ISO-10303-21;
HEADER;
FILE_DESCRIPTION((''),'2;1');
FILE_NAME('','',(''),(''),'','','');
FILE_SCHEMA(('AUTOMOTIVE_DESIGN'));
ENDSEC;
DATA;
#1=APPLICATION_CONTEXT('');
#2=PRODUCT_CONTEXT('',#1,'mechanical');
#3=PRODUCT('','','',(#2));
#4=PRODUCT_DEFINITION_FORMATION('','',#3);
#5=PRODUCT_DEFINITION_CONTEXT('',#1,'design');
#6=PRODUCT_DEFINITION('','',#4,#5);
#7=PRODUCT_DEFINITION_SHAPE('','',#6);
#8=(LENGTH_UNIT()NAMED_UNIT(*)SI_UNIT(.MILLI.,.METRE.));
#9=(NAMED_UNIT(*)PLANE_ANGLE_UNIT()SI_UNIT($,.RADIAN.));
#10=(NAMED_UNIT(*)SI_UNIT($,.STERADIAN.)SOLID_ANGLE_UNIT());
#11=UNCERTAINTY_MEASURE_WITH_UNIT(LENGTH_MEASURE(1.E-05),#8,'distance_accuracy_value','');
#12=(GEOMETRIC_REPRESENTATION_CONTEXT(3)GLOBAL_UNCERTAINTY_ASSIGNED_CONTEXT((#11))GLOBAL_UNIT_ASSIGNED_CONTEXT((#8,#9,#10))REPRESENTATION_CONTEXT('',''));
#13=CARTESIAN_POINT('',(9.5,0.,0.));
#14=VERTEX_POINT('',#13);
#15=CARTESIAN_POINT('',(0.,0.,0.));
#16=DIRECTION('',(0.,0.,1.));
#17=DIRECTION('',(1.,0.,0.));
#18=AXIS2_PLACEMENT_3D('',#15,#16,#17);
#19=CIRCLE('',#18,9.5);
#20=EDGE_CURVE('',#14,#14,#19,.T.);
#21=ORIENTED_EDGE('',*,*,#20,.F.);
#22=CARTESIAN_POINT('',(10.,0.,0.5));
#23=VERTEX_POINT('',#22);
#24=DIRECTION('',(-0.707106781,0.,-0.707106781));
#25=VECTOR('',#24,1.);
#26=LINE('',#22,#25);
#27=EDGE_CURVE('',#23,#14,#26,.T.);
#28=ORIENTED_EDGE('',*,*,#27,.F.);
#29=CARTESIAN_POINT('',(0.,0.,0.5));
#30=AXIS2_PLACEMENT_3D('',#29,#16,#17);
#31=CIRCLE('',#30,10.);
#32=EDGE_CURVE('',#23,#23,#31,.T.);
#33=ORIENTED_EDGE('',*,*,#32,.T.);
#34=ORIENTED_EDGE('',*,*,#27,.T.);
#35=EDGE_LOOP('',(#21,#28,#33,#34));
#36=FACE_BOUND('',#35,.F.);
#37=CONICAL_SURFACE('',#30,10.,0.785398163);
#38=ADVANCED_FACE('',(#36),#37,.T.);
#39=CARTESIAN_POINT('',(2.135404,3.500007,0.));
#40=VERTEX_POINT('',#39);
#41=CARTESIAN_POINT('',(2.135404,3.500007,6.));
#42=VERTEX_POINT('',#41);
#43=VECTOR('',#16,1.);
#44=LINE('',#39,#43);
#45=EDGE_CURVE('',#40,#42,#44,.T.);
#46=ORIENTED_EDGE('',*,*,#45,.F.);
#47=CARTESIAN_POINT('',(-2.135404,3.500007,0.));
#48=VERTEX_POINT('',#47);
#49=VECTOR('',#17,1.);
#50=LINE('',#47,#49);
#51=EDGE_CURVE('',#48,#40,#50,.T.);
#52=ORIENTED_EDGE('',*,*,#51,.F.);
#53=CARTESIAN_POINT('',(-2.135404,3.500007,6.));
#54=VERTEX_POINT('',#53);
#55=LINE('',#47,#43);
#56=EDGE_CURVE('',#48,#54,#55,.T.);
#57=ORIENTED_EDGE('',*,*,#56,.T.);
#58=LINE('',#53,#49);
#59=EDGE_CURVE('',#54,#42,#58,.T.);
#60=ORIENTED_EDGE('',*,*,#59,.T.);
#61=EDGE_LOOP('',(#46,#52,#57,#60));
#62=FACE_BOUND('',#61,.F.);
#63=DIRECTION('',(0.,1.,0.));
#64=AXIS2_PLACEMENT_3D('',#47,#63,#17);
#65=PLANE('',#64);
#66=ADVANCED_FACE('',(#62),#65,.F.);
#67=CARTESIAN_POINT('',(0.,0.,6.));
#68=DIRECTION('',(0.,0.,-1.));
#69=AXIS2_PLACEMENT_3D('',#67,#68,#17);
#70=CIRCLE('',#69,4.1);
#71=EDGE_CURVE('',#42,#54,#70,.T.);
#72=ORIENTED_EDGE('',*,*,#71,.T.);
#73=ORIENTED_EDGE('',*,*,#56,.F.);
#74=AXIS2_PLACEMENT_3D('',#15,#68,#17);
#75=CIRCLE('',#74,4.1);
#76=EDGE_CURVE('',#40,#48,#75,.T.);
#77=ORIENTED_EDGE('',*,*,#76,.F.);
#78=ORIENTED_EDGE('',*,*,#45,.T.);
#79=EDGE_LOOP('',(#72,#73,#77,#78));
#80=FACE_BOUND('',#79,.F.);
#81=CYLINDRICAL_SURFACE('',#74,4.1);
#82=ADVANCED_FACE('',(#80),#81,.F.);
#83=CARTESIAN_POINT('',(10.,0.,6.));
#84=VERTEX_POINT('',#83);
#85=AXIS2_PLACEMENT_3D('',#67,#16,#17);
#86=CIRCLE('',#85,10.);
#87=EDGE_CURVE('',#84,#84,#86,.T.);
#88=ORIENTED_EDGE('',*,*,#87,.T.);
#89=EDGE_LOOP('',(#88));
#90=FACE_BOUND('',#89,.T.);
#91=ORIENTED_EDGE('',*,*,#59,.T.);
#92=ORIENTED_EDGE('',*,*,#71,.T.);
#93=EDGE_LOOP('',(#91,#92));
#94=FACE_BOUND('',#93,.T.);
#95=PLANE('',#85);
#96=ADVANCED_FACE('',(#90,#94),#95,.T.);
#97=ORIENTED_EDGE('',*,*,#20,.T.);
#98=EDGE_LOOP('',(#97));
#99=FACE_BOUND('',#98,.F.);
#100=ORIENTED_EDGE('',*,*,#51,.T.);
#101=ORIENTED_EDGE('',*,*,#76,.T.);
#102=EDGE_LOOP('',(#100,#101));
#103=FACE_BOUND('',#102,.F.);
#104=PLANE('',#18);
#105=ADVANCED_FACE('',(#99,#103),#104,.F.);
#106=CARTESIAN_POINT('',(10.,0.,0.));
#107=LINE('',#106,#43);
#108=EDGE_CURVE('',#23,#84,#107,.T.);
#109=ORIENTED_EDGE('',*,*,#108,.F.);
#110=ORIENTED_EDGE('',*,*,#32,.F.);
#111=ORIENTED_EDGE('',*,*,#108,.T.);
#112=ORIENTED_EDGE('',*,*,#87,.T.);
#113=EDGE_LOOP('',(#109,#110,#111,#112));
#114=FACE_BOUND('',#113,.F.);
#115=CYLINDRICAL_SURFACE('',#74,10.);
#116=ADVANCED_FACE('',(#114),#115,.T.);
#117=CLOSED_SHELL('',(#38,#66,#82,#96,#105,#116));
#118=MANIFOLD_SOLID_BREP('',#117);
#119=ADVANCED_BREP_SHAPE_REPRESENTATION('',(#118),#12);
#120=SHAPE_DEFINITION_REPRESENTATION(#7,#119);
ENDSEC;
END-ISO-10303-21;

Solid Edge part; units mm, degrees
sketch "Sketch1" plane through (0, 0, 0) normal (0, 0, 1) x (1, 0, 0)
  circle A0 centre (0, 0) radius 10
  line L0 (-2.1354, 3.5) -> (2.1354, 3.5)
  arc A1 (2.1354, 3.5) -> (-2.1354, 3.5) centre (0, 0) cw
extrude "Protrusion1" add sketch "Sketch1" along normal blind 6
chamfer "Chamfer_1" distance 0.5 angle 45 1 edges at (-10, 0, 0)
